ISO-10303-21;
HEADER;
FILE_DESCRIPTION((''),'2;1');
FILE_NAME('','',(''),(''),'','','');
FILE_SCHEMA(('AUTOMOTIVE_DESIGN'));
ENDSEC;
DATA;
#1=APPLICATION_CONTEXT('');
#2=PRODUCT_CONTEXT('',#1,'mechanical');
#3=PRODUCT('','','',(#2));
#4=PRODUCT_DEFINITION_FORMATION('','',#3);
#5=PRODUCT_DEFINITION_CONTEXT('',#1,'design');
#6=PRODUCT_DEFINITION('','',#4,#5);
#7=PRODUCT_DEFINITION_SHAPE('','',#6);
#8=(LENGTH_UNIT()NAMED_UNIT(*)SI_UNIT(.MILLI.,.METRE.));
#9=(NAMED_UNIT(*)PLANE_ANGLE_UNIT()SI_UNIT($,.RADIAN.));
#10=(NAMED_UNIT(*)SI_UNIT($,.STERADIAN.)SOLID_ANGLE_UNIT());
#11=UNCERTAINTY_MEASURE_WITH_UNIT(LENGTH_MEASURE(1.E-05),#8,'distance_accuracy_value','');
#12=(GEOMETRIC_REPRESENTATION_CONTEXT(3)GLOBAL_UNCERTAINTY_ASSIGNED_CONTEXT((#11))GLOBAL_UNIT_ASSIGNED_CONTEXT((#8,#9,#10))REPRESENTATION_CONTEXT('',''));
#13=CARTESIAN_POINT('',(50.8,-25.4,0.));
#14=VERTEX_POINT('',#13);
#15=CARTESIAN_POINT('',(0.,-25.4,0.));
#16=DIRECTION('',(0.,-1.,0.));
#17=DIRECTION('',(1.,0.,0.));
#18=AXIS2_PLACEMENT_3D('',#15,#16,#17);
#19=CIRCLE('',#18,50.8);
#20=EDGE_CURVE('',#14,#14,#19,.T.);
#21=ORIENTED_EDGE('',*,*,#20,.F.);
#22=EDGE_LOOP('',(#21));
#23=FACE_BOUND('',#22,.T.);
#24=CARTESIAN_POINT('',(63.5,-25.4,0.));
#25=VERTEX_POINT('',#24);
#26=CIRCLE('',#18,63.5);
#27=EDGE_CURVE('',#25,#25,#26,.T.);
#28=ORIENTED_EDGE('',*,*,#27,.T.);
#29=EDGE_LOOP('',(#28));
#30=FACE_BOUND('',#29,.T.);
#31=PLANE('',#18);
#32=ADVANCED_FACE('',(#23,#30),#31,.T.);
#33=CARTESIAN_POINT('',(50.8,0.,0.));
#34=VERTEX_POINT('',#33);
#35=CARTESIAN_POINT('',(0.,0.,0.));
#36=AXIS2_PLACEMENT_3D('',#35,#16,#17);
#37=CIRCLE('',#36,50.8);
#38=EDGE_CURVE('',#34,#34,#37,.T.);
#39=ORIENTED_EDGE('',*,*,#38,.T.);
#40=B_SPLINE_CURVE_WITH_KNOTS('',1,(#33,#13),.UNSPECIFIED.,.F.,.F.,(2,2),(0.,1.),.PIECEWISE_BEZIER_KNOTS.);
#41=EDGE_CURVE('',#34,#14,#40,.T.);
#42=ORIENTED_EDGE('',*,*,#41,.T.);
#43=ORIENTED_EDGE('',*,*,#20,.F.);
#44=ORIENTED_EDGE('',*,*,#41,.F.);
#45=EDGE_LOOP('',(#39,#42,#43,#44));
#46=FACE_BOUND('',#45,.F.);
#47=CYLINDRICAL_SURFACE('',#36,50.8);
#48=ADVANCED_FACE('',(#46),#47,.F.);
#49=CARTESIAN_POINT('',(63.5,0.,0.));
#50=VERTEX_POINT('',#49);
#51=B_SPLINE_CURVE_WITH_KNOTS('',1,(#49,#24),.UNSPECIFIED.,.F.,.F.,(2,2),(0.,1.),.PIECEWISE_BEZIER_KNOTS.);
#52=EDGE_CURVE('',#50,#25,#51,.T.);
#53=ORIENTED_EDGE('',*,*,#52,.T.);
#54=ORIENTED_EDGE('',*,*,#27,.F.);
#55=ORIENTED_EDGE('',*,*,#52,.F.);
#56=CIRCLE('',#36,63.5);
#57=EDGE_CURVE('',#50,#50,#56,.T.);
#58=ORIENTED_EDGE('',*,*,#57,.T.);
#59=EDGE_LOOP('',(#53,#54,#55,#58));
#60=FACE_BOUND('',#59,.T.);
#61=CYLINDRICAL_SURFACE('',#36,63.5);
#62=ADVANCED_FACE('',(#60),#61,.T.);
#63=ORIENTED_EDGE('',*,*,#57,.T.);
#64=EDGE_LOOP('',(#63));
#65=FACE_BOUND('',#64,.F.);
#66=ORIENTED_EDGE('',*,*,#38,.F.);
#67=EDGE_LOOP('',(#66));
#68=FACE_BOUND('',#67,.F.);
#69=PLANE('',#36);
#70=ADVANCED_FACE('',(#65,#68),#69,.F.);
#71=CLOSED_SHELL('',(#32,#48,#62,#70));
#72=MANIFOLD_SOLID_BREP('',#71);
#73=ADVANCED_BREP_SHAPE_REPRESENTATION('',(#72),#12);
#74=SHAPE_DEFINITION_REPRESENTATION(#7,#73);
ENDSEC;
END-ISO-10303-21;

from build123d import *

# Parameters (mm, degrees)
F0_R = 63.5
F2_R = 63.5
F4_T = -12.7


with BuildPart() as f3:
    # F0 (on Front) → F3 section 0
    with BuildSketch(Plane.XZ):
        Circle(F0_R)
    # F2 (on offset) → F3 section 1
    with BuildSketch(Plane.XZ.offset(25.4)):
        Circle(F2_R)
    loft()

    # F4
    f4_openings = [f3.faces().sort_by_distance(p)[0] for p in [
        (0, -25.4, 0),
        (0, 0, 0),
    ]]
    offset(amount=F4_T, openings=f4_openings)


solid = f3.part
